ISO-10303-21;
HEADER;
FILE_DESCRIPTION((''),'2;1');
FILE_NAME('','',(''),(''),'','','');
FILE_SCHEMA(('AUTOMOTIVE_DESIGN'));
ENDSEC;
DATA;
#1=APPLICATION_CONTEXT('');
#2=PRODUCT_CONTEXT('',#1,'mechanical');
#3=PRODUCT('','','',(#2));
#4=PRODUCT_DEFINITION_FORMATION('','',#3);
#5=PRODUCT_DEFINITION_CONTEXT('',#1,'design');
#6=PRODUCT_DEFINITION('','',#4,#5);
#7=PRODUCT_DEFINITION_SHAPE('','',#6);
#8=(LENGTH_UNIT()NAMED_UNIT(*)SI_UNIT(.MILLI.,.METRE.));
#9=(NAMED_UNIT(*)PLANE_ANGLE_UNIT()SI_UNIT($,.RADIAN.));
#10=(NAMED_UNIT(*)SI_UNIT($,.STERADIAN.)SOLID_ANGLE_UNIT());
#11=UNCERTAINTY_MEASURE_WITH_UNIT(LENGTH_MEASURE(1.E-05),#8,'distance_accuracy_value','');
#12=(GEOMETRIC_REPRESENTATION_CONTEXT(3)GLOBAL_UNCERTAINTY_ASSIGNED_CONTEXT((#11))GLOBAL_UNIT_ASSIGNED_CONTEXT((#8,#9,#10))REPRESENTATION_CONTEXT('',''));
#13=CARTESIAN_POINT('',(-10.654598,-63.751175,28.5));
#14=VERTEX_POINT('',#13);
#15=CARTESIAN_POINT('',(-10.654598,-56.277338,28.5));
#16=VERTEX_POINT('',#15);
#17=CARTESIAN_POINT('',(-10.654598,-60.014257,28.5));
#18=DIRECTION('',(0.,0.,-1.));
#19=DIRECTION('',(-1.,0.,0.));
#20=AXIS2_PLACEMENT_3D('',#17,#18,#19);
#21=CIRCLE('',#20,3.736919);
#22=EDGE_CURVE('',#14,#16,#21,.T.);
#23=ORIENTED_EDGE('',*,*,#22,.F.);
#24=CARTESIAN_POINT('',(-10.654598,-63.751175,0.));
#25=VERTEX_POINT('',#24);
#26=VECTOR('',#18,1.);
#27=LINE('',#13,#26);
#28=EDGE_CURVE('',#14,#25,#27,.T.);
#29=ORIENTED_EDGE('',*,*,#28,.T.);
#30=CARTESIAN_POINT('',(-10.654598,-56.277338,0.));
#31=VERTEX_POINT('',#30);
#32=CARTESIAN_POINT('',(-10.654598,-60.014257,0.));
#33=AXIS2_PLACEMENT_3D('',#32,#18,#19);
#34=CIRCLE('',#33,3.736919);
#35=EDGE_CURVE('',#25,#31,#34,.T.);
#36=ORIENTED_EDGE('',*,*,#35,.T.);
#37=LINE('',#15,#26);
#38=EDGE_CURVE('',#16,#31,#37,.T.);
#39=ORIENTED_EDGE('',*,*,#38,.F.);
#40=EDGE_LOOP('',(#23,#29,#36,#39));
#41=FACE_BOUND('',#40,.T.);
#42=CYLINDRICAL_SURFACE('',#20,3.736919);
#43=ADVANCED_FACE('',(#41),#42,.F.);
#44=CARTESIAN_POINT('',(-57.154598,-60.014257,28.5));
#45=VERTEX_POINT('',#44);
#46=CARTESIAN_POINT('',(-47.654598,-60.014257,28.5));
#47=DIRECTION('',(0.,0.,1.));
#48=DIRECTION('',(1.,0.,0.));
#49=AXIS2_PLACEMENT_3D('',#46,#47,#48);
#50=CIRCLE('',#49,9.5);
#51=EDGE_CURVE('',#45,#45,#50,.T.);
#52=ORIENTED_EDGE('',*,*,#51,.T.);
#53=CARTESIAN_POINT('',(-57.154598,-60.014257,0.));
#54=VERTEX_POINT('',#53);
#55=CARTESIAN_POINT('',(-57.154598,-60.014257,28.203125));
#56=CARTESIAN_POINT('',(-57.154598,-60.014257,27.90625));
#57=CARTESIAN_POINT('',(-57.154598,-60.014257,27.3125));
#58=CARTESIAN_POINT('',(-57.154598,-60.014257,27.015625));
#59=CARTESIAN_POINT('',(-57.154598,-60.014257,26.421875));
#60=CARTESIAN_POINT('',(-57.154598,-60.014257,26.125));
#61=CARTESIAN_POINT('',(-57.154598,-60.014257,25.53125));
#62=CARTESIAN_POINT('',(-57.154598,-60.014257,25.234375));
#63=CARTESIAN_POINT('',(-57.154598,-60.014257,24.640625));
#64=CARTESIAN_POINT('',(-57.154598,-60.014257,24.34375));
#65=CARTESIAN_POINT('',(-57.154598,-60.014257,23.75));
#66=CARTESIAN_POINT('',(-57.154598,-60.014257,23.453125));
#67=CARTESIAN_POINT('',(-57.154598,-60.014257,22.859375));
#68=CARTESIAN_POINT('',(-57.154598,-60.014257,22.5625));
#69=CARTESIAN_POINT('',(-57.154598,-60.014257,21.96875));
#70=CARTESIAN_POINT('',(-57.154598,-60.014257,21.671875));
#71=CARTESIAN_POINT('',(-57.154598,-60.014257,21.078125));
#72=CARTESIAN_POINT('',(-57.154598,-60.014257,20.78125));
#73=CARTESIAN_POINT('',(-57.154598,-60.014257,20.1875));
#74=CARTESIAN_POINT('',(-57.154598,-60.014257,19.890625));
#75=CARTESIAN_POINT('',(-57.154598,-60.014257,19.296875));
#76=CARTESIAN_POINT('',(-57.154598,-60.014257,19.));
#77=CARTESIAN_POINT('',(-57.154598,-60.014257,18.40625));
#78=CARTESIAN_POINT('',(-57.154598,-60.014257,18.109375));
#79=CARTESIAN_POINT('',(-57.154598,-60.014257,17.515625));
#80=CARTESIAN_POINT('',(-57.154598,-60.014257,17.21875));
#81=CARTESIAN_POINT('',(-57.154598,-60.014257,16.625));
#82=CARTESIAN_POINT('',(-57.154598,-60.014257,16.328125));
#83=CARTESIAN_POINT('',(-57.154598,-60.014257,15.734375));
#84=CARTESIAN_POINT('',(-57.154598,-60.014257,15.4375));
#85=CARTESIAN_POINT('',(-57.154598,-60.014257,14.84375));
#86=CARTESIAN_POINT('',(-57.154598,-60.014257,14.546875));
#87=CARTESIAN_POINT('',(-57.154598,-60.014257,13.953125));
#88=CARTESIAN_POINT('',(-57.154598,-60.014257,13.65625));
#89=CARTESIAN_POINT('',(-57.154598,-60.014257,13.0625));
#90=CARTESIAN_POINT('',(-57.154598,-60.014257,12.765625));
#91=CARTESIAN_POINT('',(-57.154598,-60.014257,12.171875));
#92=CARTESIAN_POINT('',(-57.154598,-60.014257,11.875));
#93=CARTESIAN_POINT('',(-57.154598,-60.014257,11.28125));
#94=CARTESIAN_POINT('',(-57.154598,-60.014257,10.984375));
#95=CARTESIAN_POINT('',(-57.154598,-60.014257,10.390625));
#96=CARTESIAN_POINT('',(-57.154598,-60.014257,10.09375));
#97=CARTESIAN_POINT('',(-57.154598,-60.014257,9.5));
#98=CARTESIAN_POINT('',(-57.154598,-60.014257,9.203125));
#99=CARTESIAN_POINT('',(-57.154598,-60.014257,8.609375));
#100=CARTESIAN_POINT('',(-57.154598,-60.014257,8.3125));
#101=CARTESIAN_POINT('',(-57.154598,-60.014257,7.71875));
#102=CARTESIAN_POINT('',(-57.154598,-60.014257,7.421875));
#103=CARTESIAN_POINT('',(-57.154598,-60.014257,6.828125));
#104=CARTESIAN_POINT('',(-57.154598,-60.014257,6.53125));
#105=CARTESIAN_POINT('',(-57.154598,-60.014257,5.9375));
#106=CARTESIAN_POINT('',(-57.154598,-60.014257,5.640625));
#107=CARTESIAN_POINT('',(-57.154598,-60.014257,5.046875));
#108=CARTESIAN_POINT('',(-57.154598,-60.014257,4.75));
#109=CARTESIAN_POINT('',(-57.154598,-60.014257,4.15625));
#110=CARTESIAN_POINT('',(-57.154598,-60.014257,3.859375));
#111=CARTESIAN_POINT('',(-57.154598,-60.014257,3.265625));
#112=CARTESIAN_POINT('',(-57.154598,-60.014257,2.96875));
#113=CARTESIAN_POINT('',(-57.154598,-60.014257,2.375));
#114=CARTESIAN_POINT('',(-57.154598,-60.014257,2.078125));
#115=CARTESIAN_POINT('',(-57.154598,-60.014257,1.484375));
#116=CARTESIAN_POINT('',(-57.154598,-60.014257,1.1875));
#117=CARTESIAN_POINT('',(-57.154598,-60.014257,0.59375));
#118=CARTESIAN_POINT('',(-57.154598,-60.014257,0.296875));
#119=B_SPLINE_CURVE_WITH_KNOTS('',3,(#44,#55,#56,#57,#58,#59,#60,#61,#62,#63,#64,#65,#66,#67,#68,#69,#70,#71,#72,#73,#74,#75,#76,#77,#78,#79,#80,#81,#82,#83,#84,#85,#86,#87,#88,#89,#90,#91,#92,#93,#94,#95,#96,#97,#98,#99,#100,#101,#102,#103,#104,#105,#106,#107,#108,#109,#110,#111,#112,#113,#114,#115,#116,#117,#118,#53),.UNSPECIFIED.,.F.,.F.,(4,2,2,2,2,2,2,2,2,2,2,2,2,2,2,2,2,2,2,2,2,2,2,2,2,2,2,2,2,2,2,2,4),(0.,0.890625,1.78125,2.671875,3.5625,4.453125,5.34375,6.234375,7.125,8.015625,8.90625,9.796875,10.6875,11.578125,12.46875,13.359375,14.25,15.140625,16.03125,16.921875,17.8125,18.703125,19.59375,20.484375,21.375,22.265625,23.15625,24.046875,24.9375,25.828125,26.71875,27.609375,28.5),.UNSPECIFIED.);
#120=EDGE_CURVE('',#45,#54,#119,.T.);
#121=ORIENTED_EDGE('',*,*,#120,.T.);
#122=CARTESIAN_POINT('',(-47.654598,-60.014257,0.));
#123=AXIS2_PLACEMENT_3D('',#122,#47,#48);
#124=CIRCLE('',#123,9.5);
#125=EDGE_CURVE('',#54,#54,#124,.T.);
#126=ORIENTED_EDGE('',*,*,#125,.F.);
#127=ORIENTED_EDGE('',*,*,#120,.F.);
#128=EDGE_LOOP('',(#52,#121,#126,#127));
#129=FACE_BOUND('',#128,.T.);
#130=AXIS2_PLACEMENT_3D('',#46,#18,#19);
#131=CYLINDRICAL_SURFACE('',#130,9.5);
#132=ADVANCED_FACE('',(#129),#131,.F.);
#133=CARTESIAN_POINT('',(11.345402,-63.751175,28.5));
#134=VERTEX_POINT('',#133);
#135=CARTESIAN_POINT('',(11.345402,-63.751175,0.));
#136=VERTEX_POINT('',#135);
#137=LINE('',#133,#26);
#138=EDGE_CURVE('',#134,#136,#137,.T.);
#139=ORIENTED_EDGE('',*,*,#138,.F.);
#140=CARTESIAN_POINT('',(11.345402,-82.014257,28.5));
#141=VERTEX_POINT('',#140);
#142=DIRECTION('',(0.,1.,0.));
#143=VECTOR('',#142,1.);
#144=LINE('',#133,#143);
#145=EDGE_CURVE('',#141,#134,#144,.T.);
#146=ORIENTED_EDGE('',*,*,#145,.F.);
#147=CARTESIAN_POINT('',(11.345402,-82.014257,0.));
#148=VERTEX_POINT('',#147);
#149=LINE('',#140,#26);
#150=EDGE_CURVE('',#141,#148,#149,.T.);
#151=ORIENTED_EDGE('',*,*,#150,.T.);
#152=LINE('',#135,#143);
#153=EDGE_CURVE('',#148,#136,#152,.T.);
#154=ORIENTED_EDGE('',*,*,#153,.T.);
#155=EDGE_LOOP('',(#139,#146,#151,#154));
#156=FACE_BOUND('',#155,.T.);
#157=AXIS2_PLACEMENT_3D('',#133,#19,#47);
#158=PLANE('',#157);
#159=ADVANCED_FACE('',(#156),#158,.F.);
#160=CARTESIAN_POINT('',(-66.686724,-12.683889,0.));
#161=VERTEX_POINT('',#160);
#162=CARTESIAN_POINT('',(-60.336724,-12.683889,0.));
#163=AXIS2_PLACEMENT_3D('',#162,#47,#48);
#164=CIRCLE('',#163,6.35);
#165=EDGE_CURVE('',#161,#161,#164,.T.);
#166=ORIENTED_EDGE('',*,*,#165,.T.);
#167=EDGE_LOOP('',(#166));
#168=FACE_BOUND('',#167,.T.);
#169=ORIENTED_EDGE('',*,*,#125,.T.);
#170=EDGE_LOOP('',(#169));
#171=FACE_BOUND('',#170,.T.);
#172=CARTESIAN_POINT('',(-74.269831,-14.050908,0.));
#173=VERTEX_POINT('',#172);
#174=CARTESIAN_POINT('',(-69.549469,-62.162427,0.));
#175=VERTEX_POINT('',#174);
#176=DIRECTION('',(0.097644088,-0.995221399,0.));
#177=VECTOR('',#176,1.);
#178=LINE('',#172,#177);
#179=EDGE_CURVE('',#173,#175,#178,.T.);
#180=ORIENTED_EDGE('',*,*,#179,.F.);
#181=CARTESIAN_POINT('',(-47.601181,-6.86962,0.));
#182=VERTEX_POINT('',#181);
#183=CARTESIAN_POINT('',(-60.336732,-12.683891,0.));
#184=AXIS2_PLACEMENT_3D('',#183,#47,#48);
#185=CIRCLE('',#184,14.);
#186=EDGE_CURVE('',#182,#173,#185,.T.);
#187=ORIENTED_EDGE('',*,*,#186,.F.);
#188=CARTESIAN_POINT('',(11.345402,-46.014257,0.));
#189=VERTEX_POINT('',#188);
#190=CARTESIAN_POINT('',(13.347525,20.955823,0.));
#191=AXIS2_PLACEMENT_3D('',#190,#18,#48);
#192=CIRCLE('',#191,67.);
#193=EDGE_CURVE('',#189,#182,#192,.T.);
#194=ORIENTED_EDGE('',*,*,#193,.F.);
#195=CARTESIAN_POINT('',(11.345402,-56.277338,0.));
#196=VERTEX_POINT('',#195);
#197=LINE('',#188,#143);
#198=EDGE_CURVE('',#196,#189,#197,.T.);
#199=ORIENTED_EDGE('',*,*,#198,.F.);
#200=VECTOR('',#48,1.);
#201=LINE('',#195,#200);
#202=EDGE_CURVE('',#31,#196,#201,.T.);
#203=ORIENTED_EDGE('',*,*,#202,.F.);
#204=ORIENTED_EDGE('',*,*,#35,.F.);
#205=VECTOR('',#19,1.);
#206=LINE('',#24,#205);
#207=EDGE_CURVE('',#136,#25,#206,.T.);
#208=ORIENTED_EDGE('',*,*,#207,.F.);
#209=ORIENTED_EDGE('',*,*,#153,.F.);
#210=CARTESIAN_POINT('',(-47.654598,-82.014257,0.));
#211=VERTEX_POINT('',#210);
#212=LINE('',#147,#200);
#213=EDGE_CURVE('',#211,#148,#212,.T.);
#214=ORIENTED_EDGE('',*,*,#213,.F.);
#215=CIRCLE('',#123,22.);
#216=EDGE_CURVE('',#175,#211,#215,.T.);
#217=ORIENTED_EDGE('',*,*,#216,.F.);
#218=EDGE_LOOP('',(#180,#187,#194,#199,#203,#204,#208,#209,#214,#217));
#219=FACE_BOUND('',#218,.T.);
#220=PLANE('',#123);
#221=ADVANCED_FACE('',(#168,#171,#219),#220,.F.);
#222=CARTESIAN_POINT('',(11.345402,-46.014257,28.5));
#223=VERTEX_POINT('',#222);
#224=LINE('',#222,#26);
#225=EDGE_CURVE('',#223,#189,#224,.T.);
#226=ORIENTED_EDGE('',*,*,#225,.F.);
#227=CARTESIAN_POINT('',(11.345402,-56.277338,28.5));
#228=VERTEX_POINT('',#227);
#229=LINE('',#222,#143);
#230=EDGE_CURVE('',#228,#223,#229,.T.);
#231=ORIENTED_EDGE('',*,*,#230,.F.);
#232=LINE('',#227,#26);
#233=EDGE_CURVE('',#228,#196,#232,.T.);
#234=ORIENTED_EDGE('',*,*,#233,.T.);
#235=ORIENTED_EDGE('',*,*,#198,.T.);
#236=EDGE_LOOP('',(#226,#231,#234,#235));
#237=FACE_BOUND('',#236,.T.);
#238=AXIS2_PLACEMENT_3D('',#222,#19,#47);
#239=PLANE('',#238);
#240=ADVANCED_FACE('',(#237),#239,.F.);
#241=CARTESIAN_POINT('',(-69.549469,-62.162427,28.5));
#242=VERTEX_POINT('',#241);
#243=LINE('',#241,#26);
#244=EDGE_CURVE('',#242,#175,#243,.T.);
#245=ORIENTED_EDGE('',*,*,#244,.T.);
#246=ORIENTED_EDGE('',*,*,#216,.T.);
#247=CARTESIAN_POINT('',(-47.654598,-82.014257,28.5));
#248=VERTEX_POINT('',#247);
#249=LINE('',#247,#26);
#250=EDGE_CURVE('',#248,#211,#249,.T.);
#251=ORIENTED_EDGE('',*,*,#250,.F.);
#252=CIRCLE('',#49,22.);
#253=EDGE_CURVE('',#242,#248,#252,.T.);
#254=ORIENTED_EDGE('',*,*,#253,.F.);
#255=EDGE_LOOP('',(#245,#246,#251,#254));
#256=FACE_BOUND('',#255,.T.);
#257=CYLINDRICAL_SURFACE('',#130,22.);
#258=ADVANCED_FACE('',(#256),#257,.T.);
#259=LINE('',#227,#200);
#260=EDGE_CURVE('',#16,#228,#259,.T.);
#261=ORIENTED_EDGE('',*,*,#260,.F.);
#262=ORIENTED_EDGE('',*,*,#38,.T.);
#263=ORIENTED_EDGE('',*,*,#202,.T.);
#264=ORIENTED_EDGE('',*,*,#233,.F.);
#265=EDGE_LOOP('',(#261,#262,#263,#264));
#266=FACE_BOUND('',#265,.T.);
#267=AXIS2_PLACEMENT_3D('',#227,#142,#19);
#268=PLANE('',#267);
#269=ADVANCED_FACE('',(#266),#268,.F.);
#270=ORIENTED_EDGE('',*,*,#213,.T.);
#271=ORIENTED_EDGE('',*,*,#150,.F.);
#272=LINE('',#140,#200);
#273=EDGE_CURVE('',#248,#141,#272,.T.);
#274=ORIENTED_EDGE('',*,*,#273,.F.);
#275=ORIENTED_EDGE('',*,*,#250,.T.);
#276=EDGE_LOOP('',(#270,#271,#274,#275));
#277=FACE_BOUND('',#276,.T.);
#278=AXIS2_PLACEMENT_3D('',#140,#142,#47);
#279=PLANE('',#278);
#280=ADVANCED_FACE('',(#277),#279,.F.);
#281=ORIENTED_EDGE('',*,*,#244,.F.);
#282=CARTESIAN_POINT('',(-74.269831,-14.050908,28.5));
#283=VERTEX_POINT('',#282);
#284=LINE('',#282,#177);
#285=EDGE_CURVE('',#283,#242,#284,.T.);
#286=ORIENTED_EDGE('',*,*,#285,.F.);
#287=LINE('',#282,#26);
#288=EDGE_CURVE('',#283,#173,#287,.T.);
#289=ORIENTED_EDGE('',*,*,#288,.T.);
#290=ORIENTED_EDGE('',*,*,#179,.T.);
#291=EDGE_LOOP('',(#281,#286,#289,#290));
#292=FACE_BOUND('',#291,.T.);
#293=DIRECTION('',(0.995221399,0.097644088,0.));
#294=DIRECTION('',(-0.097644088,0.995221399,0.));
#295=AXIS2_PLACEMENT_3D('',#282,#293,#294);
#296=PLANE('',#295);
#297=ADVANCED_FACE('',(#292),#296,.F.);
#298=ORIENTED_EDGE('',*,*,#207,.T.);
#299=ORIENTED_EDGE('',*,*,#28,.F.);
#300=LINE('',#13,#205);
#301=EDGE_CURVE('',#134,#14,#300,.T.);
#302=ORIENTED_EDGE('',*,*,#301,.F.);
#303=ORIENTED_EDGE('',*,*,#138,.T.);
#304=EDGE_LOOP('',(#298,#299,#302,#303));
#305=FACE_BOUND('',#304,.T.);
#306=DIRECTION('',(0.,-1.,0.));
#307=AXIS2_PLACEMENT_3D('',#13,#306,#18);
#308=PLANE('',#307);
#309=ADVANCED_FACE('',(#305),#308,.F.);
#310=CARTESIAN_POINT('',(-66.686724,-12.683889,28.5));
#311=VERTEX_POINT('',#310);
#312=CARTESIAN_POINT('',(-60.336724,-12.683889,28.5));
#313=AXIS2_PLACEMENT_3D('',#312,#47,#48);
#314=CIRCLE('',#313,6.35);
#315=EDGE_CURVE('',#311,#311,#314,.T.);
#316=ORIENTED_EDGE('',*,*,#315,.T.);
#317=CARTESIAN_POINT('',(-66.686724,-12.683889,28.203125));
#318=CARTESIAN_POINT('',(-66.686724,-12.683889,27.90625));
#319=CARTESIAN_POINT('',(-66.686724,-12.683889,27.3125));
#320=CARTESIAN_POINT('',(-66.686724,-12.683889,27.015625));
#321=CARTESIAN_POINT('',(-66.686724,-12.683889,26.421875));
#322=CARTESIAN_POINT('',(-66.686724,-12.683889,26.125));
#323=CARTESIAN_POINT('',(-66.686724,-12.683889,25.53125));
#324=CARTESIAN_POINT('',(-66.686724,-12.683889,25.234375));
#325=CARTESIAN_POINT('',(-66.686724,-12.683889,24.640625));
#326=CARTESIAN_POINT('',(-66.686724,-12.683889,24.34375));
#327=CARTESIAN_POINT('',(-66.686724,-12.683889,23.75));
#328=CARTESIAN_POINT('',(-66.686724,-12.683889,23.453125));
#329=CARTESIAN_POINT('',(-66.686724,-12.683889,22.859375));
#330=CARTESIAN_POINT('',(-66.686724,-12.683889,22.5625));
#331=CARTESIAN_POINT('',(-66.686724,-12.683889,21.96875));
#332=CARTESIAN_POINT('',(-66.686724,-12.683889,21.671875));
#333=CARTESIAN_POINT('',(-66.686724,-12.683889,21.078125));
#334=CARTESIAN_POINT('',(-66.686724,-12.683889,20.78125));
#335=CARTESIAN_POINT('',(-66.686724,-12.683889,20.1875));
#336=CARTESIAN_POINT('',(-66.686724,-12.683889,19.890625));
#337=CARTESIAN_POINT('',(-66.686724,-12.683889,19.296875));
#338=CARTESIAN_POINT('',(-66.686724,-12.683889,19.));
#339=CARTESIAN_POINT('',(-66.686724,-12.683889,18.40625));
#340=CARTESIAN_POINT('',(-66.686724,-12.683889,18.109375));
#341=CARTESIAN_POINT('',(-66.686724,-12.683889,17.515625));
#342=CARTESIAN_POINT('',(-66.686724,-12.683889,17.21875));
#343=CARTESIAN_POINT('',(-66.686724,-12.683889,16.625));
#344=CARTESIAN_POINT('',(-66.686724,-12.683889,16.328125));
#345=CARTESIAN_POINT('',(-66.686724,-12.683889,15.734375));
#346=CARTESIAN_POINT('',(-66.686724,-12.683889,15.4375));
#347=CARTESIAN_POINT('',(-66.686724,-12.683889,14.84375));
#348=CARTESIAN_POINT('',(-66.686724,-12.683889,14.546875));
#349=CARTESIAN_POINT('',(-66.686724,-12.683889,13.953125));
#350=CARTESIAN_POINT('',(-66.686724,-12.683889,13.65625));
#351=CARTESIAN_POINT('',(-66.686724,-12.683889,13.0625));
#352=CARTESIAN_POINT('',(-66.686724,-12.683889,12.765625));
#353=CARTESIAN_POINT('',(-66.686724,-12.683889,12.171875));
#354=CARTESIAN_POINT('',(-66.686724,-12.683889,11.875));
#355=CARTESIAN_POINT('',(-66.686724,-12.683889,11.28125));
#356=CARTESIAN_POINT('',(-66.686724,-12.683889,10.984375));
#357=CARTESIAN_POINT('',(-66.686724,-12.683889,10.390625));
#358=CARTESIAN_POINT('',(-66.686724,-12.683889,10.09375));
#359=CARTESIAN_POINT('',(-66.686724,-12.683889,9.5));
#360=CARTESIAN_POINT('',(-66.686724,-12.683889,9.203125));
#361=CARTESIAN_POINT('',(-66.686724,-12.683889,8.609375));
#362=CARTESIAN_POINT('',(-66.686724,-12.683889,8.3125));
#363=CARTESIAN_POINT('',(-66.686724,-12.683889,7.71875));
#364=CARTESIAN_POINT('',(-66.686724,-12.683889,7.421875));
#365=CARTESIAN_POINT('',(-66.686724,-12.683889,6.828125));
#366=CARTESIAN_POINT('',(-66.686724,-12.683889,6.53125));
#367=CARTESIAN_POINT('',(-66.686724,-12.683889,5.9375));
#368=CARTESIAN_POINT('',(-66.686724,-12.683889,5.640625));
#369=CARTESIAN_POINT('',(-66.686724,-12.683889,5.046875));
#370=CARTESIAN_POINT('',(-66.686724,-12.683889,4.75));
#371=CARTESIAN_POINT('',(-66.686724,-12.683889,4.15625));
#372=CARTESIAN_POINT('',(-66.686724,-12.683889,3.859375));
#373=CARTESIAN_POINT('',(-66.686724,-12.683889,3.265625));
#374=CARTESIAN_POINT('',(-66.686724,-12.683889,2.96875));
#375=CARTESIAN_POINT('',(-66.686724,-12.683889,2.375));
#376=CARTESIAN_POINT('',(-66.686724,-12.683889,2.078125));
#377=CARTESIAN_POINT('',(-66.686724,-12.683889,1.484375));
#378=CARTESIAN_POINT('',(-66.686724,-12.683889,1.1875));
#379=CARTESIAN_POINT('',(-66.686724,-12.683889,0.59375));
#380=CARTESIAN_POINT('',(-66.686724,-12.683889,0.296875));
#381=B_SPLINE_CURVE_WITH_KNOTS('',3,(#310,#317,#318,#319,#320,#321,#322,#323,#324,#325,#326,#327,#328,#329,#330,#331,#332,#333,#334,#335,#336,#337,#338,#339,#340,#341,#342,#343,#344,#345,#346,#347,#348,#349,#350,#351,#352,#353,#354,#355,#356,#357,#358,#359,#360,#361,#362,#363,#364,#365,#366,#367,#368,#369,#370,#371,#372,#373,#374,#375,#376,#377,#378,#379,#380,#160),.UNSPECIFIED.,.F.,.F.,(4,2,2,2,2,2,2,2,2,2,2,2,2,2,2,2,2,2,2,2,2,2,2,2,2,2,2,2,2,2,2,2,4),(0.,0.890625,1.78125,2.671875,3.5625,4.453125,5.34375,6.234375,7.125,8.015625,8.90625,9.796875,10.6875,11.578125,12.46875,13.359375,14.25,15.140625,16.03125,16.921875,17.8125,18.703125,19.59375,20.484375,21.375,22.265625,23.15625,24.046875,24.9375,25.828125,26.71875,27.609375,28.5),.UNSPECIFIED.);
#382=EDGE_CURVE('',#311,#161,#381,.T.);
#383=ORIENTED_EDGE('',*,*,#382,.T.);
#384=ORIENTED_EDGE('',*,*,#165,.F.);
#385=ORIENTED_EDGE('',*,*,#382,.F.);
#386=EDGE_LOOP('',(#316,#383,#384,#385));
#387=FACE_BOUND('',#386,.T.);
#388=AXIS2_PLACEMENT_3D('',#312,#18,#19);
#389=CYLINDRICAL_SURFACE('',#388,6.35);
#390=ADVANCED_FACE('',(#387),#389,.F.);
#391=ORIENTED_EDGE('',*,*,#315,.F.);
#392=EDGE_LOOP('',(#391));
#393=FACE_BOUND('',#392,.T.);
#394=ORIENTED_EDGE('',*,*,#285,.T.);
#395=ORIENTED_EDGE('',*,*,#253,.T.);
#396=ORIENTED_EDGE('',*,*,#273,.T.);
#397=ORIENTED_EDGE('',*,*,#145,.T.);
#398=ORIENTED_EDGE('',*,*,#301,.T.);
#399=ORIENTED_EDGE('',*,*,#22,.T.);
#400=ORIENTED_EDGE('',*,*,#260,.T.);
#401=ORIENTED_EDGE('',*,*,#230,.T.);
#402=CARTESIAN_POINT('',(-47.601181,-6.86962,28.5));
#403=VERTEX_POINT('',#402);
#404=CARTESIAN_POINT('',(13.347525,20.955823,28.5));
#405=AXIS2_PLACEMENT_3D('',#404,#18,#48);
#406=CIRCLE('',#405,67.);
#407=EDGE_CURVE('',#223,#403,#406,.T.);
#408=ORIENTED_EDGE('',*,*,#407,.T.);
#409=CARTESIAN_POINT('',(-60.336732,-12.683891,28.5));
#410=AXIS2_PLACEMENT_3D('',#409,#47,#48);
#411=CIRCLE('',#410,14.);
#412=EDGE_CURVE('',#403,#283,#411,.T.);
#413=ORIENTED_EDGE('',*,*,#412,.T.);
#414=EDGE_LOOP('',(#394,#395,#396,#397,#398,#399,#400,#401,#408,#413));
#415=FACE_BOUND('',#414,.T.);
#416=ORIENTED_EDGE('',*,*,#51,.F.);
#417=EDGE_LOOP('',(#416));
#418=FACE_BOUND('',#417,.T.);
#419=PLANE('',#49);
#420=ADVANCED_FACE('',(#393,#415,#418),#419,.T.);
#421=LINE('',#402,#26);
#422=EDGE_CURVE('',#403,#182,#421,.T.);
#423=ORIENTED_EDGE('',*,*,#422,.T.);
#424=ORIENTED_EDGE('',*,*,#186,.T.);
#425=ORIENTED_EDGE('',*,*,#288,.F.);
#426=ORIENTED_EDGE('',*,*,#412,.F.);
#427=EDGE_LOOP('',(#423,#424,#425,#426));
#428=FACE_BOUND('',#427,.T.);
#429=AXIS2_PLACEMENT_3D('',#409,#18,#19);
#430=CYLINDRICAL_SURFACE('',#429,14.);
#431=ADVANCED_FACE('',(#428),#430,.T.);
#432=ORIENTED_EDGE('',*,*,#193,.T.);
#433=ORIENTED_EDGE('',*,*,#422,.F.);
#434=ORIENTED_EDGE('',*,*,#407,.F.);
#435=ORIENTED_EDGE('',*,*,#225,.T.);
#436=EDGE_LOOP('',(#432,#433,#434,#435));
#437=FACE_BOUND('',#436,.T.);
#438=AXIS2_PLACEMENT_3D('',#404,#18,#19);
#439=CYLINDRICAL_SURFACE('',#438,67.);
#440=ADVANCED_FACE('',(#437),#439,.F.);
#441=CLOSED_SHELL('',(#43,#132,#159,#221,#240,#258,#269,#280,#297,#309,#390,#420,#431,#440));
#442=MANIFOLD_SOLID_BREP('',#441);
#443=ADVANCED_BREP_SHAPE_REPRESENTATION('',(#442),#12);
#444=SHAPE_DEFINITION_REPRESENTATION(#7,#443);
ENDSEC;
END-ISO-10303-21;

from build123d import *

# Parameters (mm, degrees)
ESQUISSE1_R        = 6.35
ESQUISSE1_R_2      = 9.5
BOSS_EXTRU_1_DEPTH = 28.5


with BuildPart() as part:
    # Esquisse1 → Boss.-Extru.1 (new body)
    with BuildSketch(Plane.XY):
        with BuildLine():
            Line((-74.269831122, -14.050908363), (-69.549469101, -62.162426551))
            ThreePointArc((-69.549469101, -62.162426551), (-62.431950288, -76.312412018), (-47.654598332, -82.014256626))
            Line((-47.654598332, -82.014256626), (11.345401668, -82.014256626))
            Line((11.345401668, -82.014256626), (11.345401668, -63.751175412))
            Line((11.345401668, -63.751175412), (-10.654598332, -63.751175412))
            ThreePointArc((-10.654598332, -63.751175412), (-14.391517119, -60.014256626), (-10.654598332, -56.27733784))
            Line((-10.654598332, -56.27733784), (11.345401668, -56.27733784))
            Line((11.345401668, -56.27733784), (11.345401668, -46.014256626))
            ThreePointArc((11.345401668, -46.014256626), (-23.716977968, -34.858356839), (-47.601181026, -6.869619639))
            ThreePointArc((-47.601181026, -6.869619639), (-63.976959265, 0.834568173), (-74.269831122, -14.050908363))
        make_face()
        with Locations(Location((-60.336723839, -12.683889074, 0), (0, 0, 180))):
            Circle(ESQUISSE1_R, mode=Mode.SUBTRACT)
        with Locations(Location((-47.654598332, -60.014256626, 0), (0, 0, 180))):
            Circle(ESQUISSE1_R_2, mode=Mode.SUBTRACT)
    extrude(amount=BOSS_EXTRU_1_DEPTH)


solid = part.part
